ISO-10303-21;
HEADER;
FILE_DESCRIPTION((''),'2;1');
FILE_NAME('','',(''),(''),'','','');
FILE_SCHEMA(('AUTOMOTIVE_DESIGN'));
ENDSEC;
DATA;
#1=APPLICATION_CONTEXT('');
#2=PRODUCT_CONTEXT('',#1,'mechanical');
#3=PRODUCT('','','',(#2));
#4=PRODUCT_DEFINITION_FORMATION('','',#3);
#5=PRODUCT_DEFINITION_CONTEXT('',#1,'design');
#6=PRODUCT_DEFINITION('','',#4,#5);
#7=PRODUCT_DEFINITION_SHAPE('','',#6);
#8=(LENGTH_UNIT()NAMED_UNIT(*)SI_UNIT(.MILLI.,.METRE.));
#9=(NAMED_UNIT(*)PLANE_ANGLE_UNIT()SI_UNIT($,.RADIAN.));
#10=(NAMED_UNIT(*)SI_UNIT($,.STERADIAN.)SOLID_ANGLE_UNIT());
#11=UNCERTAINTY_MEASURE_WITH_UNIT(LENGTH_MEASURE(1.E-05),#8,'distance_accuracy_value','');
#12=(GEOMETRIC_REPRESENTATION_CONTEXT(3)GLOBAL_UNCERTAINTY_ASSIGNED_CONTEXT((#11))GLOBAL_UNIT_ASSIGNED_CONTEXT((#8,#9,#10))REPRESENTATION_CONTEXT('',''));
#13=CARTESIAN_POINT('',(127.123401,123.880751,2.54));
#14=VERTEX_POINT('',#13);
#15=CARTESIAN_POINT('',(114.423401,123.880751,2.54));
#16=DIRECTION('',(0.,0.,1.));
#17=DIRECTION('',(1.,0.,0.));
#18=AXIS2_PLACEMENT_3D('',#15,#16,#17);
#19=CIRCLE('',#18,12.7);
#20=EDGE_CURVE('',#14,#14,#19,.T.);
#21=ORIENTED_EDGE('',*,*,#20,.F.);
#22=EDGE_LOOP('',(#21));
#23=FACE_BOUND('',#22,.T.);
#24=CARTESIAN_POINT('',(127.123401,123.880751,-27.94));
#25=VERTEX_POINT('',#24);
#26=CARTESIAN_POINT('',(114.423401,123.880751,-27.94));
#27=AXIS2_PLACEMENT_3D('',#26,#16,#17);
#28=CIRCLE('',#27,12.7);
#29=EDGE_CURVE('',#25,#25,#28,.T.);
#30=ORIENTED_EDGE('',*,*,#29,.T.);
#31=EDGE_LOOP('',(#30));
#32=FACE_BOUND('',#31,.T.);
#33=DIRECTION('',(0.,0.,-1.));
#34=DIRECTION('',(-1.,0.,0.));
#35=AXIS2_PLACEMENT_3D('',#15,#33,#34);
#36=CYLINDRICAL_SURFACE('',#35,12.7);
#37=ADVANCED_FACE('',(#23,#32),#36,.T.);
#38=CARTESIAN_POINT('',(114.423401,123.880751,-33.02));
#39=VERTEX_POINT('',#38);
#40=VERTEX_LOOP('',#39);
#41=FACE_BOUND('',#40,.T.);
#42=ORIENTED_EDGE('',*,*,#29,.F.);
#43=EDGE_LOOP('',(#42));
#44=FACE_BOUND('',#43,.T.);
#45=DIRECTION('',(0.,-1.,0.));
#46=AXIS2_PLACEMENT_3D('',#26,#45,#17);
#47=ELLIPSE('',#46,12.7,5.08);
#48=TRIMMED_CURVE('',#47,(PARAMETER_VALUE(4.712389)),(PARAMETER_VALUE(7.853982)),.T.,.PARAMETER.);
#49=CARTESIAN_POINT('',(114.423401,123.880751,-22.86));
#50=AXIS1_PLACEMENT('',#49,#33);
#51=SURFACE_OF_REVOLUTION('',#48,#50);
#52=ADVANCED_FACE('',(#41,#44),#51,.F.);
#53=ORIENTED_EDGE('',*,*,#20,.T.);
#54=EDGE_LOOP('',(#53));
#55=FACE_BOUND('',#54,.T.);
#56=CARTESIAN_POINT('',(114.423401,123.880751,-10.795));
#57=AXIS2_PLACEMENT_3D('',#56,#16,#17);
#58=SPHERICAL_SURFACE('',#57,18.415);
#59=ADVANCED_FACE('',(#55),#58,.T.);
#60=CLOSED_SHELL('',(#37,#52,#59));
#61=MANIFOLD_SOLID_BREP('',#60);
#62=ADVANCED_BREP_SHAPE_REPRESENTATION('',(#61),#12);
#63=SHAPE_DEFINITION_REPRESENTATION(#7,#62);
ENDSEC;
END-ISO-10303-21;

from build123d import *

# Parameters (mm, degrees)
BOSS_EXTRUDE1_DEPTH      = 2.54
BOSS_EXTRUDE1_DEPTH_BACK = 27.94
SKETCH1_R                = 12.7
DOME1_FACE_RADIUS        = 12.7
DOME1_HEIGHT             = 5.08
DOME2_FACE_RADIUS        = 12.7
DOME2_HEIGHT             = 5.08


with BuildPart() as part:
    # Sketch1 → Boss-Extrude1 (new, two sides: drawn at the far end of the back side and taken through both)
    with BuildSketch(Plane.XY.offset(-BOSS_EXTRUDE1_DEPTH_BACK)):
        with Locations((114.42340137, 123.880750733)):
            Circle(SKETCH1_R)
    extrude(amount=BOSS_EXTRUDE1_DEPTH + BOSS_EXTRUDE1_DEPTH_BACK)

    # Dome1: an elliptical dome of height H over a round flat face of radius A is half a spheroid: the quarter ellipse of half axes A and H revolved about the face's axis
    with BuildSketch(Plane((114.42340137, 123.880750733, -27.94), x_dir=(0, -1, 0), z_dir=(1, 0, 0)), mode=Mode.PRIVATE) as dome1_quarter:
        Ellipse(DOME1_FACE_RADIUS, DOME1_HEIGHT)
        Rectangle(DOME1_FACE_RADIUS, DOME1_HEIGHT, align=(Align.MIN, Align.MIN), mode=Mode.INTERSECT)
    revolve(dome1_quarter.sketch, axis=Axis((114.42340137, 123.880750733, -27.94), (0, 0, -1)))

    # Dome2: a dome of height H over a round flat face of radius A is a cap of a sphere of radius (A * A + H * H) / (2 * H)
    dome2_r = (DOME2_FACE_RADIUS * DOME2_FACE_RADIUS + DOME2_HEIGHT * DOME2_HEIGHT) / (2 * DOME2_HEIGHT)
    dome2_base = Plane((114.42340137, 123.880750733, 2.54), z_dir=(0, 0, 1))
    with Locations(dome2_base.offset(DOME2_HEIGHT - dome2_r)):
        dome2_ball = Sphere(dome2_r, mode=Mode.PRIVATE)
    add(split(dome2_ball, bisect_by=dome2_base, keep=Keep.TOP, mode=Mode.PRIVATE))


solid = part.part
